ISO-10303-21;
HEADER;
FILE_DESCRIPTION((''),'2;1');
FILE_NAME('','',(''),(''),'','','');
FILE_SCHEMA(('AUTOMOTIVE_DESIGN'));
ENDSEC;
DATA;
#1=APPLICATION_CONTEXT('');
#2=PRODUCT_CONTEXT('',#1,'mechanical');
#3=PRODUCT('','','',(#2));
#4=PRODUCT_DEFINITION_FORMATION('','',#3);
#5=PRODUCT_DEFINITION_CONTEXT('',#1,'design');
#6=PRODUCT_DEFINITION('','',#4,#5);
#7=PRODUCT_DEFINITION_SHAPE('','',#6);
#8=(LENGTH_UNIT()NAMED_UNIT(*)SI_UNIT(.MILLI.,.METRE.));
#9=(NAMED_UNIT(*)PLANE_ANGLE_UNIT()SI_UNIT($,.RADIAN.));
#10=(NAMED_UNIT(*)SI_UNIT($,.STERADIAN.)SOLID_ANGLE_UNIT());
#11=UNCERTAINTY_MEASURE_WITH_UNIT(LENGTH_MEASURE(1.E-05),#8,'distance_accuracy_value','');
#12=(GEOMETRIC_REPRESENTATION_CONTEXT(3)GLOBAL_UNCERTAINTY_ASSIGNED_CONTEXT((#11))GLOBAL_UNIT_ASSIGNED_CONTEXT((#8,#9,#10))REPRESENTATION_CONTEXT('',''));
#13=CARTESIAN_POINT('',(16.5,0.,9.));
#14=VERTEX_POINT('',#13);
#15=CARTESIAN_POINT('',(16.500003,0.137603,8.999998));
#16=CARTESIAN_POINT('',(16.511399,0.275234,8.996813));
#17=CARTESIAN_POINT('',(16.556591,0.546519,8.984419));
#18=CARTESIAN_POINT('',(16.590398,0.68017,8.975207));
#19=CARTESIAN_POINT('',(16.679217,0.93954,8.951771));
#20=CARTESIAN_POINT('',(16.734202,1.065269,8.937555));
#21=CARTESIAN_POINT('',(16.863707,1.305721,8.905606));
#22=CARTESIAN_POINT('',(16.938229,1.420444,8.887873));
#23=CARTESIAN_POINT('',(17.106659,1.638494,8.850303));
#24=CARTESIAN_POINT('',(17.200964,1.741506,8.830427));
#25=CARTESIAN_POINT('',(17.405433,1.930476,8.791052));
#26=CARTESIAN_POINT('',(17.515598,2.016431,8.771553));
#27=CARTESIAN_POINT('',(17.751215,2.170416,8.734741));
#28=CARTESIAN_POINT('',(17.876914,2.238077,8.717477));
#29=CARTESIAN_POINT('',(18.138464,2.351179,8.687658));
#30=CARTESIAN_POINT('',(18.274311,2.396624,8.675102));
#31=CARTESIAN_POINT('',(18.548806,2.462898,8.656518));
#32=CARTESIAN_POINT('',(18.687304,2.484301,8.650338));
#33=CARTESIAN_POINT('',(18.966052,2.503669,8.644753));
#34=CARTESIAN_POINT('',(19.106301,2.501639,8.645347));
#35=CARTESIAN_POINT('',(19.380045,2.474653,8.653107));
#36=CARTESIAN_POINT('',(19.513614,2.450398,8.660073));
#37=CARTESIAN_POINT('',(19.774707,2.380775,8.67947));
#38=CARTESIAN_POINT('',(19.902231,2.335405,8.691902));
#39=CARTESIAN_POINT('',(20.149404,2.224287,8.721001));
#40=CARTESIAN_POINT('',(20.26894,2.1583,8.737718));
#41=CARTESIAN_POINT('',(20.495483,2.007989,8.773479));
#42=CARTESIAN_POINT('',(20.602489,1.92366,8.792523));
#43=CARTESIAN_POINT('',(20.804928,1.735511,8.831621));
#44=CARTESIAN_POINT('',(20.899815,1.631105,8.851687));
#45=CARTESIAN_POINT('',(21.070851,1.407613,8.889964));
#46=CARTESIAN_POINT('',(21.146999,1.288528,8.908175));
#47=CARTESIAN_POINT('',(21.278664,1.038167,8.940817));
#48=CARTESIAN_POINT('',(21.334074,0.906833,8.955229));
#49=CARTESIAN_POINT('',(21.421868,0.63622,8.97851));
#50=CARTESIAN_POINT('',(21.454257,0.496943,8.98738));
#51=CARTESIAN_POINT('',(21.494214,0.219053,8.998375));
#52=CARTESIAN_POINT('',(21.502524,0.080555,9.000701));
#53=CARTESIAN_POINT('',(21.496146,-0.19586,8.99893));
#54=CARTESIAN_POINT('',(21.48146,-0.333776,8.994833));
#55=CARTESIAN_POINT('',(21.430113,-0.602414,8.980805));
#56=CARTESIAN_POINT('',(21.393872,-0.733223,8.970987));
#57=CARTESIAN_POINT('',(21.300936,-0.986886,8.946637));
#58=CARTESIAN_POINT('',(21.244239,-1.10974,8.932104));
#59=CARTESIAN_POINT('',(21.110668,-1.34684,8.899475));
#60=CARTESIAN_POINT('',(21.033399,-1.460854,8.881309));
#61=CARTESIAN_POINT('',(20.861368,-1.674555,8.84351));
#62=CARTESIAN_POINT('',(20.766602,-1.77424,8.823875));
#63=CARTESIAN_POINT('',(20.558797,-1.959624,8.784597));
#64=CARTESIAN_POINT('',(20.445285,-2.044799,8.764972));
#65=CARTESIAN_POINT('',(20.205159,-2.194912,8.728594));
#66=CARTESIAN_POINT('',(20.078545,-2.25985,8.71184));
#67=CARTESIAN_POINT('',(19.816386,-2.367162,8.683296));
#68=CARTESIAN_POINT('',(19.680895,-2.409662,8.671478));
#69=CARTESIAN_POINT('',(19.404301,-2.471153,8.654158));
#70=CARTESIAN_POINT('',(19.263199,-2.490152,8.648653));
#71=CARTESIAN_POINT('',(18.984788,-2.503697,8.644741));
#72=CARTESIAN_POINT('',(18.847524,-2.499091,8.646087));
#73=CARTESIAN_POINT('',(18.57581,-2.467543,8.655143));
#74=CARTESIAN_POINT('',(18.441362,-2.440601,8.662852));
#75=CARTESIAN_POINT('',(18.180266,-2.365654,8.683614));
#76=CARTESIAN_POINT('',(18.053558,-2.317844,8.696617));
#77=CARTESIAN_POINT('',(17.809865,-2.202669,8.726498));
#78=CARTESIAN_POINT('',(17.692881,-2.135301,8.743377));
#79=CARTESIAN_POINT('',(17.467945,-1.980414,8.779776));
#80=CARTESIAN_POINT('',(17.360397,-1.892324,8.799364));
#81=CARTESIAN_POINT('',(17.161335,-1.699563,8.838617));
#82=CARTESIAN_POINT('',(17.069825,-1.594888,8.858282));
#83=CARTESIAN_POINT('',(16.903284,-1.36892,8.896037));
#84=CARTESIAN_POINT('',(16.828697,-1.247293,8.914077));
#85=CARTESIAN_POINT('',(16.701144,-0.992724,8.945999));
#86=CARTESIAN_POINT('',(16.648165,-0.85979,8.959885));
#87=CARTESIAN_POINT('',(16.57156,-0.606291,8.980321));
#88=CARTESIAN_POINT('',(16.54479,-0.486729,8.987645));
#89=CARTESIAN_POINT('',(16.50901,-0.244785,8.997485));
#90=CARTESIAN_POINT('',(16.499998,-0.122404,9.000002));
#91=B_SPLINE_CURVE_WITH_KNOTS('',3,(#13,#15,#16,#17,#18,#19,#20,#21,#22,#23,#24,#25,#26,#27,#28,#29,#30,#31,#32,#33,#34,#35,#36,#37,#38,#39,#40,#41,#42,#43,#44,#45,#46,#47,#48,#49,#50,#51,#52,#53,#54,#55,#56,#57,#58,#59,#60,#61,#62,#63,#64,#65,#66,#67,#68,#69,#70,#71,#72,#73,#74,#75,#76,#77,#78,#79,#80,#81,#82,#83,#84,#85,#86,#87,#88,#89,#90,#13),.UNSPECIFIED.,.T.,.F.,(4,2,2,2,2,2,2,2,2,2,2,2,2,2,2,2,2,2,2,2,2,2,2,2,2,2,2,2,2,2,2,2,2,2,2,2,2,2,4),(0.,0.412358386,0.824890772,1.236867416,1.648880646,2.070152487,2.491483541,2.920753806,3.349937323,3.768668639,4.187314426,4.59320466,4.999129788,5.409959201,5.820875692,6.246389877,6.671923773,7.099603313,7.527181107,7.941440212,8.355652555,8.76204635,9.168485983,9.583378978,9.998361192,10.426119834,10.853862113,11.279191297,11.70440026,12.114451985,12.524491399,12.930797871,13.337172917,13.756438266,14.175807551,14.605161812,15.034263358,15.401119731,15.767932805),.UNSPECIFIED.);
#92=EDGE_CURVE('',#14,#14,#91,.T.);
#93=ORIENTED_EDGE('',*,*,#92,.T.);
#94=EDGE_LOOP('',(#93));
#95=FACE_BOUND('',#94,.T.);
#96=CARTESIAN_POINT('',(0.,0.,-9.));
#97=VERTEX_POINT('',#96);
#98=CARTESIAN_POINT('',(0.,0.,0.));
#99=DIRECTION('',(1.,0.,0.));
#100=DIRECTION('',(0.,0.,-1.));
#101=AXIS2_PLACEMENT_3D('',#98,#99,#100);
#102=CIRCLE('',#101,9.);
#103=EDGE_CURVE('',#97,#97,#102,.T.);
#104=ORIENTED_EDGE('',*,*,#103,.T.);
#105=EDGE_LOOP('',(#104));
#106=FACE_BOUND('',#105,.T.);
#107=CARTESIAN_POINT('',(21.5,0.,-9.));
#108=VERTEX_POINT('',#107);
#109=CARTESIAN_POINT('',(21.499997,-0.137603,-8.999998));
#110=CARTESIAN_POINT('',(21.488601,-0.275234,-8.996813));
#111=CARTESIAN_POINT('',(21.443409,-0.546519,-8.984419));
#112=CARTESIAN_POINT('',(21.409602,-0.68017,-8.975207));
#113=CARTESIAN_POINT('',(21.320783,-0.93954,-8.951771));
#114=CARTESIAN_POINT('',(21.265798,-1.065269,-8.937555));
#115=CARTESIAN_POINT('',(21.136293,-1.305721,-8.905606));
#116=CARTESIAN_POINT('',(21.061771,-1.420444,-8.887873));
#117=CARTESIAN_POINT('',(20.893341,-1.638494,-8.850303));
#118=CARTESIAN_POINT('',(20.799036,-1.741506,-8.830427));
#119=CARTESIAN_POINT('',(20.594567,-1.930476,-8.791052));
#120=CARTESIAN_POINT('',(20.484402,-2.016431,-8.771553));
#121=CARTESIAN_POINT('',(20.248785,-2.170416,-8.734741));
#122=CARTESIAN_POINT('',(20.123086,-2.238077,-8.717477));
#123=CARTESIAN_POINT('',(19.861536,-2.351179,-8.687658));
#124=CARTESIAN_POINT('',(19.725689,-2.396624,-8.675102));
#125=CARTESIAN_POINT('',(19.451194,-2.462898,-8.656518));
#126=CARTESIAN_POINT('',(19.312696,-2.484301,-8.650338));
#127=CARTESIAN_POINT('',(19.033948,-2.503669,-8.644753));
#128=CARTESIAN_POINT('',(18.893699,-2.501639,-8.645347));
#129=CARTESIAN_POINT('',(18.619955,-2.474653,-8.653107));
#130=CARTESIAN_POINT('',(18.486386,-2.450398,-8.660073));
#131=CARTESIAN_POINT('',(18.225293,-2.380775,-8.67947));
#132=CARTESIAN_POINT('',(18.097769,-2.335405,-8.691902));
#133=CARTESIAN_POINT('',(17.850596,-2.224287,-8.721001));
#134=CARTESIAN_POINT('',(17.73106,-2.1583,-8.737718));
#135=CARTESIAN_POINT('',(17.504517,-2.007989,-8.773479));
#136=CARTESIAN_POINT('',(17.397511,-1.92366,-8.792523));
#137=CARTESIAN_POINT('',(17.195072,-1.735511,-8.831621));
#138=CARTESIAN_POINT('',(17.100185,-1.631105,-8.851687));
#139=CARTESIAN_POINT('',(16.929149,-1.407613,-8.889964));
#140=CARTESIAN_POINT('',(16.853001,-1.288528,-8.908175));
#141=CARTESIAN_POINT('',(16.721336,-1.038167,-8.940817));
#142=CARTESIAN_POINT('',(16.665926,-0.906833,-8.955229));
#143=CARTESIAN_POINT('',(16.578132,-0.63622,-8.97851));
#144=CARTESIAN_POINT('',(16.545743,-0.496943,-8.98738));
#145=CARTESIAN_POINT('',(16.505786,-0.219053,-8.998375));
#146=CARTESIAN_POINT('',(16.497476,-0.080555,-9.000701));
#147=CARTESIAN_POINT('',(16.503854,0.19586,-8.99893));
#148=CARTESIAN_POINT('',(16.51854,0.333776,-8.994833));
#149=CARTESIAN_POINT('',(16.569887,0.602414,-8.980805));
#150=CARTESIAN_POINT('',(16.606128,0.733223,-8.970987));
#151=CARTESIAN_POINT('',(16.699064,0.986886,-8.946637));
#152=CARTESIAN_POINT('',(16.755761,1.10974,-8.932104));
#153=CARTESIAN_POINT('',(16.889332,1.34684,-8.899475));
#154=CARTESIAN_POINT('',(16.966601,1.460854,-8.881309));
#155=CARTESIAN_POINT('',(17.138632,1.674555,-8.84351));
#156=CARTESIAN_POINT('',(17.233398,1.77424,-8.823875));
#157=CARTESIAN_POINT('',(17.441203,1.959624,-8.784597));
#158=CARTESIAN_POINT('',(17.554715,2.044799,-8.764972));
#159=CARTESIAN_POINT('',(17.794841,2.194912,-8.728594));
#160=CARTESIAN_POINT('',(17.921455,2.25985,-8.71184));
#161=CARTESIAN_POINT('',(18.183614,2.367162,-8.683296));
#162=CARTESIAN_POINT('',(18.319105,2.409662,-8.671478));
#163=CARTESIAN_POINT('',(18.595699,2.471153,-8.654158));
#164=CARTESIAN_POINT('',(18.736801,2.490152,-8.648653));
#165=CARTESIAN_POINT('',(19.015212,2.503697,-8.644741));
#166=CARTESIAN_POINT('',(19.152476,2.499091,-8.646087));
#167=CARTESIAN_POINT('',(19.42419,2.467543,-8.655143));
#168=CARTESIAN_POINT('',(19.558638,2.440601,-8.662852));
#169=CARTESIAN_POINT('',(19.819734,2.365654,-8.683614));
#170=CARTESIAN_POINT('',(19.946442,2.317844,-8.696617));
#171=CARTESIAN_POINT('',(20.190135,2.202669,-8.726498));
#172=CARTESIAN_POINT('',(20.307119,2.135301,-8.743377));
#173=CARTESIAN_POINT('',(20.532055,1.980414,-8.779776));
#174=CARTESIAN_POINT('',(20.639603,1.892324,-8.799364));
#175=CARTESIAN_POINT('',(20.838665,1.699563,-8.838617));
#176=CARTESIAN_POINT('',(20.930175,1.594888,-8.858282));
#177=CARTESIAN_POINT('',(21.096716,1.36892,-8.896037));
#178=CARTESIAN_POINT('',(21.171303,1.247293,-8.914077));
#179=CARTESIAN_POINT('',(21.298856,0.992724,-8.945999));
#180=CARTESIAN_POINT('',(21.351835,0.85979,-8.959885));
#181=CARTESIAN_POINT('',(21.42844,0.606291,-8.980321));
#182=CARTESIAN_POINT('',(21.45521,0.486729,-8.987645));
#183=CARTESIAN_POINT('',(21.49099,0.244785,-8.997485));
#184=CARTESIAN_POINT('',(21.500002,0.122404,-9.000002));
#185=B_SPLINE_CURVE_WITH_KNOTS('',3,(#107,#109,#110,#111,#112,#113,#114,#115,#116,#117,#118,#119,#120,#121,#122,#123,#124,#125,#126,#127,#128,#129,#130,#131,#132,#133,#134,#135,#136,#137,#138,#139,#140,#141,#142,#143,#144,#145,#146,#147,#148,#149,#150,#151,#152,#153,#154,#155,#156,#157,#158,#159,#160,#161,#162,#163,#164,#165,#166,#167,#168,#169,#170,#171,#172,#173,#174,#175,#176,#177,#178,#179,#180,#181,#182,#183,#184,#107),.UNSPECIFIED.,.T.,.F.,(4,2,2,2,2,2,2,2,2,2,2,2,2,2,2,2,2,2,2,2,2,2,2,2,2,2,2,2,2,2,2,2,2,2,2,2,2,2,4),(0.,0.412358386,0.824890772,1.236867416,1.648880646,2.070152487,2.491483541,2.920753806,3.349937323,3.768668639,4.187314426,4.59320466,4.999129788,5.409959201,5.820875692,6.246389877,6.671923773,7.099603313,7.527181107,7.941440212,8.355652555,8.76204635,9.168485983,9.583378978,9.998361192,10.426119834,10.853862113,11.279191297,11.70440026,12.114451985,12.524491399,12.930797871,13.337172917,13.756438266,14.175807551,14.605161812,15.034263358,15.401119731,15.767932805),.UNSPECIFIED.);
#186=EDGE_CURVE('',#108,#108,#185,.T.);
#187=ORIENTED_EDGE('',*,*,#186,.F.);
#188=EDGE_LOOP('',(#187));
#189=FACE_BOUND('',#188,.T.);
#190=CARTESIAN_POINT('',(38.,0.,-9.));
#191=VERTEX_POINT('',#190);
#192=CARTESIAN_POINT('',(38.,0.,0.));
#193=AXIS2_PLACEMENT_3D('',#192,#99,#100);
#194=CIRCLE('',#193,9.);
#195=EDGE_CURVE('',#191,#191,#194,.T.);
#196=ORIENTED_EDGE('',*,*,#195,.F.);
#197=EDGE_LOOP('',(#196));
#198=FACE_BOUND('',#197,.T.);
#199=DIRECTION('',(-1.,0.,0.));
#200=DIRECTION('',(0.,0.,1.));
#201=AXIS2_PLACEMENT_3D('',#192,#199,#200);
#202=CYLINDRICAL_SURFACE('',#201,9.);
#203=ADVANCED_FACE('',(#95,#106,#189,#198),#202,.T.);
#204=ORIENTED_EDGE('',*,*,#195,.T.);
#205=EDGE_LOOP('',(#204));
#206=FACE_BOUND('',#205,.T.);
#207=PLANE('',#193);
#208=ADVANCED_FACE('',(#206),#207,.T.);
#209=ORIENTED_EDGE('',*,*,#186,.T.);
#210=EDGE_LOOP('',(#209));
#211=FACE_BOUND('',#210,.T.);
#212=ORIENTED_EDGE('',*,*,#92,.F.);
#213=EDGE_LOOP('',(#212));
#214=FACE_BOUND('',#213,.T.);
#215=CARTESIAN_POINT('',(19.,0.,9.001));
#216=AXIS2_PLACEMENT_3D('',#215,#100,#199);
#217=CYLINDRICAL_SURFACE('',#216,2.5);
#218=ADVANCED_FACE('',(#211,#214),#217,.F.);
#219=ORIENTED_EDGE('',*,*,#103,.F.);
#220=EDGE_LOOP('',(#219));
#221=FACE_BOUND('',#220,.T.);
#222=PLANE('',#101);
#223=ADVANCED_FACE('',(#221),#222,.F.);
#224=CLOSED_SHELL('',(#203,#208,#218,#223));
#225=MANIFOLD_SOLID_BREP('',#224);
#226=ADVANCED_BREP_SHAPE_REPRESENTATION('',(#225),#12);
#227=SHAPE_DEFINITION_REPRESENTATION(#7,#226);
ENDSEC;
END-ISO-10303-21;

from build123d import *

# Parameters (mm, degrees)
SZKIC1_R                                    = 9
DODANIE_WYCI_GNI_CIE1_DEPTH                 = 38
WYTNIJ_WYCI_GNI_CIE1_REACH                  = 42.075
WYTNIJ_WYCI_GNI_CIE1_END_RADIUS             = 9
SZKIC2_R                                    = 2.5
WYTNIJ_WYCI_GNI_CIE1_DIRECTION_2_REACH      = 42.075
WYTNIJ_WYCI_GNI_CIE1_DIRECTION_2_END_RADIUS = 9


with BuildPart() as part:
    # Szkic1 → Dodanie-wyciągnięcie1 (new body)
    with BuildSketch(Plane(origin=(0, 0, 0), x_dir=(0, 0, -1), z_dir=(1, 0, 0))):
        Circle(SZKIC1_R)
    extrude(amount=DODANIE_WYCI_GNI_CIE1_DEPTH)

    # Wytnij-wyciągnięcie1: up to this cylinder (the profile starts inside it)
    wytnij_wyci_gni_cie1_end = Plane(origin=(19, 0, 0), z_dir=(-1, 0, 0)) * Cylinder(WYTNIJ_WYCI_GNI_CIE1_END_RADIUS, 103.15, mode=Mode.PRIVATE)
    # Szkic2 → Wytnij-wyciągnięcie1 (cut, up to the surface)
    with BuildSketch(Plane.XY, mode=Mode.PRIVATE) as wytnij_wyci_gni_cie1_sk1:
        with Locations(Location((19, 0, 0), (0, 0, 180))):
            Circle(SZKIC2_R)
    wytnij_wyci_gni_cie1_tool1 = extrude(wytnij_wyci_gni_cie1_sk1.sketch, amount=-WYTNIJ_WYCI_GNI_CIE1_REACH, mode=Mode.PRIVATE) & wytnij_wyci_gni_cie1_end
    add(wytnij_wyci_gni_cie1_tool1.solids().sort_by_distance((19, 0, 0))[0], mode=Mode.SUBTRACT)

    # Wytnij-wyciągnięcie1 direction 2: up to this cylinder (the profile starts inside it)
    wytnij_wyci_gni_cie1_direction_2_end = Plane(origin=(19, 0, 0), z_dir=(-1, 0, 0)) * Cylinder(WYTNIJ_WYCI_GNI_CIE1_DIRECTION_2_END_RADIUS, 103.15, mode=Mode.PRIVATE)
    # Szkic2 → Wytnij-wyciągnięcie1 direction 2 (cut, up to the surface)
    with BuildSketch(Plane.XY, mode=Mode.PRIVATE) as wytnij_wyci_gni_cie1_direction_2_sk1:
        with Locations(Location((19, 0, 0), (0, 0, 180))):
            Circle(SZKIC2_R)
    wytnij_wyci_gni_cie1_direction_2_tool1 = extrude(wytnij_wyci_gni_cie1_direction_2_sk1.sketch, amount=WYTNIJ_WYCI_GNI_CIE1_DIRECTION_2_REACH, mode=Mode.PRIVATE) & wytnij_wyci_gni_cie1_direction_2_end
    add(wytnij_wyci_gni_cie1_direction_2_tool1.solids().sort_by_distance((19, 0, 0))[0], mode=Mode.SUBTRACT)


solid = part.part
